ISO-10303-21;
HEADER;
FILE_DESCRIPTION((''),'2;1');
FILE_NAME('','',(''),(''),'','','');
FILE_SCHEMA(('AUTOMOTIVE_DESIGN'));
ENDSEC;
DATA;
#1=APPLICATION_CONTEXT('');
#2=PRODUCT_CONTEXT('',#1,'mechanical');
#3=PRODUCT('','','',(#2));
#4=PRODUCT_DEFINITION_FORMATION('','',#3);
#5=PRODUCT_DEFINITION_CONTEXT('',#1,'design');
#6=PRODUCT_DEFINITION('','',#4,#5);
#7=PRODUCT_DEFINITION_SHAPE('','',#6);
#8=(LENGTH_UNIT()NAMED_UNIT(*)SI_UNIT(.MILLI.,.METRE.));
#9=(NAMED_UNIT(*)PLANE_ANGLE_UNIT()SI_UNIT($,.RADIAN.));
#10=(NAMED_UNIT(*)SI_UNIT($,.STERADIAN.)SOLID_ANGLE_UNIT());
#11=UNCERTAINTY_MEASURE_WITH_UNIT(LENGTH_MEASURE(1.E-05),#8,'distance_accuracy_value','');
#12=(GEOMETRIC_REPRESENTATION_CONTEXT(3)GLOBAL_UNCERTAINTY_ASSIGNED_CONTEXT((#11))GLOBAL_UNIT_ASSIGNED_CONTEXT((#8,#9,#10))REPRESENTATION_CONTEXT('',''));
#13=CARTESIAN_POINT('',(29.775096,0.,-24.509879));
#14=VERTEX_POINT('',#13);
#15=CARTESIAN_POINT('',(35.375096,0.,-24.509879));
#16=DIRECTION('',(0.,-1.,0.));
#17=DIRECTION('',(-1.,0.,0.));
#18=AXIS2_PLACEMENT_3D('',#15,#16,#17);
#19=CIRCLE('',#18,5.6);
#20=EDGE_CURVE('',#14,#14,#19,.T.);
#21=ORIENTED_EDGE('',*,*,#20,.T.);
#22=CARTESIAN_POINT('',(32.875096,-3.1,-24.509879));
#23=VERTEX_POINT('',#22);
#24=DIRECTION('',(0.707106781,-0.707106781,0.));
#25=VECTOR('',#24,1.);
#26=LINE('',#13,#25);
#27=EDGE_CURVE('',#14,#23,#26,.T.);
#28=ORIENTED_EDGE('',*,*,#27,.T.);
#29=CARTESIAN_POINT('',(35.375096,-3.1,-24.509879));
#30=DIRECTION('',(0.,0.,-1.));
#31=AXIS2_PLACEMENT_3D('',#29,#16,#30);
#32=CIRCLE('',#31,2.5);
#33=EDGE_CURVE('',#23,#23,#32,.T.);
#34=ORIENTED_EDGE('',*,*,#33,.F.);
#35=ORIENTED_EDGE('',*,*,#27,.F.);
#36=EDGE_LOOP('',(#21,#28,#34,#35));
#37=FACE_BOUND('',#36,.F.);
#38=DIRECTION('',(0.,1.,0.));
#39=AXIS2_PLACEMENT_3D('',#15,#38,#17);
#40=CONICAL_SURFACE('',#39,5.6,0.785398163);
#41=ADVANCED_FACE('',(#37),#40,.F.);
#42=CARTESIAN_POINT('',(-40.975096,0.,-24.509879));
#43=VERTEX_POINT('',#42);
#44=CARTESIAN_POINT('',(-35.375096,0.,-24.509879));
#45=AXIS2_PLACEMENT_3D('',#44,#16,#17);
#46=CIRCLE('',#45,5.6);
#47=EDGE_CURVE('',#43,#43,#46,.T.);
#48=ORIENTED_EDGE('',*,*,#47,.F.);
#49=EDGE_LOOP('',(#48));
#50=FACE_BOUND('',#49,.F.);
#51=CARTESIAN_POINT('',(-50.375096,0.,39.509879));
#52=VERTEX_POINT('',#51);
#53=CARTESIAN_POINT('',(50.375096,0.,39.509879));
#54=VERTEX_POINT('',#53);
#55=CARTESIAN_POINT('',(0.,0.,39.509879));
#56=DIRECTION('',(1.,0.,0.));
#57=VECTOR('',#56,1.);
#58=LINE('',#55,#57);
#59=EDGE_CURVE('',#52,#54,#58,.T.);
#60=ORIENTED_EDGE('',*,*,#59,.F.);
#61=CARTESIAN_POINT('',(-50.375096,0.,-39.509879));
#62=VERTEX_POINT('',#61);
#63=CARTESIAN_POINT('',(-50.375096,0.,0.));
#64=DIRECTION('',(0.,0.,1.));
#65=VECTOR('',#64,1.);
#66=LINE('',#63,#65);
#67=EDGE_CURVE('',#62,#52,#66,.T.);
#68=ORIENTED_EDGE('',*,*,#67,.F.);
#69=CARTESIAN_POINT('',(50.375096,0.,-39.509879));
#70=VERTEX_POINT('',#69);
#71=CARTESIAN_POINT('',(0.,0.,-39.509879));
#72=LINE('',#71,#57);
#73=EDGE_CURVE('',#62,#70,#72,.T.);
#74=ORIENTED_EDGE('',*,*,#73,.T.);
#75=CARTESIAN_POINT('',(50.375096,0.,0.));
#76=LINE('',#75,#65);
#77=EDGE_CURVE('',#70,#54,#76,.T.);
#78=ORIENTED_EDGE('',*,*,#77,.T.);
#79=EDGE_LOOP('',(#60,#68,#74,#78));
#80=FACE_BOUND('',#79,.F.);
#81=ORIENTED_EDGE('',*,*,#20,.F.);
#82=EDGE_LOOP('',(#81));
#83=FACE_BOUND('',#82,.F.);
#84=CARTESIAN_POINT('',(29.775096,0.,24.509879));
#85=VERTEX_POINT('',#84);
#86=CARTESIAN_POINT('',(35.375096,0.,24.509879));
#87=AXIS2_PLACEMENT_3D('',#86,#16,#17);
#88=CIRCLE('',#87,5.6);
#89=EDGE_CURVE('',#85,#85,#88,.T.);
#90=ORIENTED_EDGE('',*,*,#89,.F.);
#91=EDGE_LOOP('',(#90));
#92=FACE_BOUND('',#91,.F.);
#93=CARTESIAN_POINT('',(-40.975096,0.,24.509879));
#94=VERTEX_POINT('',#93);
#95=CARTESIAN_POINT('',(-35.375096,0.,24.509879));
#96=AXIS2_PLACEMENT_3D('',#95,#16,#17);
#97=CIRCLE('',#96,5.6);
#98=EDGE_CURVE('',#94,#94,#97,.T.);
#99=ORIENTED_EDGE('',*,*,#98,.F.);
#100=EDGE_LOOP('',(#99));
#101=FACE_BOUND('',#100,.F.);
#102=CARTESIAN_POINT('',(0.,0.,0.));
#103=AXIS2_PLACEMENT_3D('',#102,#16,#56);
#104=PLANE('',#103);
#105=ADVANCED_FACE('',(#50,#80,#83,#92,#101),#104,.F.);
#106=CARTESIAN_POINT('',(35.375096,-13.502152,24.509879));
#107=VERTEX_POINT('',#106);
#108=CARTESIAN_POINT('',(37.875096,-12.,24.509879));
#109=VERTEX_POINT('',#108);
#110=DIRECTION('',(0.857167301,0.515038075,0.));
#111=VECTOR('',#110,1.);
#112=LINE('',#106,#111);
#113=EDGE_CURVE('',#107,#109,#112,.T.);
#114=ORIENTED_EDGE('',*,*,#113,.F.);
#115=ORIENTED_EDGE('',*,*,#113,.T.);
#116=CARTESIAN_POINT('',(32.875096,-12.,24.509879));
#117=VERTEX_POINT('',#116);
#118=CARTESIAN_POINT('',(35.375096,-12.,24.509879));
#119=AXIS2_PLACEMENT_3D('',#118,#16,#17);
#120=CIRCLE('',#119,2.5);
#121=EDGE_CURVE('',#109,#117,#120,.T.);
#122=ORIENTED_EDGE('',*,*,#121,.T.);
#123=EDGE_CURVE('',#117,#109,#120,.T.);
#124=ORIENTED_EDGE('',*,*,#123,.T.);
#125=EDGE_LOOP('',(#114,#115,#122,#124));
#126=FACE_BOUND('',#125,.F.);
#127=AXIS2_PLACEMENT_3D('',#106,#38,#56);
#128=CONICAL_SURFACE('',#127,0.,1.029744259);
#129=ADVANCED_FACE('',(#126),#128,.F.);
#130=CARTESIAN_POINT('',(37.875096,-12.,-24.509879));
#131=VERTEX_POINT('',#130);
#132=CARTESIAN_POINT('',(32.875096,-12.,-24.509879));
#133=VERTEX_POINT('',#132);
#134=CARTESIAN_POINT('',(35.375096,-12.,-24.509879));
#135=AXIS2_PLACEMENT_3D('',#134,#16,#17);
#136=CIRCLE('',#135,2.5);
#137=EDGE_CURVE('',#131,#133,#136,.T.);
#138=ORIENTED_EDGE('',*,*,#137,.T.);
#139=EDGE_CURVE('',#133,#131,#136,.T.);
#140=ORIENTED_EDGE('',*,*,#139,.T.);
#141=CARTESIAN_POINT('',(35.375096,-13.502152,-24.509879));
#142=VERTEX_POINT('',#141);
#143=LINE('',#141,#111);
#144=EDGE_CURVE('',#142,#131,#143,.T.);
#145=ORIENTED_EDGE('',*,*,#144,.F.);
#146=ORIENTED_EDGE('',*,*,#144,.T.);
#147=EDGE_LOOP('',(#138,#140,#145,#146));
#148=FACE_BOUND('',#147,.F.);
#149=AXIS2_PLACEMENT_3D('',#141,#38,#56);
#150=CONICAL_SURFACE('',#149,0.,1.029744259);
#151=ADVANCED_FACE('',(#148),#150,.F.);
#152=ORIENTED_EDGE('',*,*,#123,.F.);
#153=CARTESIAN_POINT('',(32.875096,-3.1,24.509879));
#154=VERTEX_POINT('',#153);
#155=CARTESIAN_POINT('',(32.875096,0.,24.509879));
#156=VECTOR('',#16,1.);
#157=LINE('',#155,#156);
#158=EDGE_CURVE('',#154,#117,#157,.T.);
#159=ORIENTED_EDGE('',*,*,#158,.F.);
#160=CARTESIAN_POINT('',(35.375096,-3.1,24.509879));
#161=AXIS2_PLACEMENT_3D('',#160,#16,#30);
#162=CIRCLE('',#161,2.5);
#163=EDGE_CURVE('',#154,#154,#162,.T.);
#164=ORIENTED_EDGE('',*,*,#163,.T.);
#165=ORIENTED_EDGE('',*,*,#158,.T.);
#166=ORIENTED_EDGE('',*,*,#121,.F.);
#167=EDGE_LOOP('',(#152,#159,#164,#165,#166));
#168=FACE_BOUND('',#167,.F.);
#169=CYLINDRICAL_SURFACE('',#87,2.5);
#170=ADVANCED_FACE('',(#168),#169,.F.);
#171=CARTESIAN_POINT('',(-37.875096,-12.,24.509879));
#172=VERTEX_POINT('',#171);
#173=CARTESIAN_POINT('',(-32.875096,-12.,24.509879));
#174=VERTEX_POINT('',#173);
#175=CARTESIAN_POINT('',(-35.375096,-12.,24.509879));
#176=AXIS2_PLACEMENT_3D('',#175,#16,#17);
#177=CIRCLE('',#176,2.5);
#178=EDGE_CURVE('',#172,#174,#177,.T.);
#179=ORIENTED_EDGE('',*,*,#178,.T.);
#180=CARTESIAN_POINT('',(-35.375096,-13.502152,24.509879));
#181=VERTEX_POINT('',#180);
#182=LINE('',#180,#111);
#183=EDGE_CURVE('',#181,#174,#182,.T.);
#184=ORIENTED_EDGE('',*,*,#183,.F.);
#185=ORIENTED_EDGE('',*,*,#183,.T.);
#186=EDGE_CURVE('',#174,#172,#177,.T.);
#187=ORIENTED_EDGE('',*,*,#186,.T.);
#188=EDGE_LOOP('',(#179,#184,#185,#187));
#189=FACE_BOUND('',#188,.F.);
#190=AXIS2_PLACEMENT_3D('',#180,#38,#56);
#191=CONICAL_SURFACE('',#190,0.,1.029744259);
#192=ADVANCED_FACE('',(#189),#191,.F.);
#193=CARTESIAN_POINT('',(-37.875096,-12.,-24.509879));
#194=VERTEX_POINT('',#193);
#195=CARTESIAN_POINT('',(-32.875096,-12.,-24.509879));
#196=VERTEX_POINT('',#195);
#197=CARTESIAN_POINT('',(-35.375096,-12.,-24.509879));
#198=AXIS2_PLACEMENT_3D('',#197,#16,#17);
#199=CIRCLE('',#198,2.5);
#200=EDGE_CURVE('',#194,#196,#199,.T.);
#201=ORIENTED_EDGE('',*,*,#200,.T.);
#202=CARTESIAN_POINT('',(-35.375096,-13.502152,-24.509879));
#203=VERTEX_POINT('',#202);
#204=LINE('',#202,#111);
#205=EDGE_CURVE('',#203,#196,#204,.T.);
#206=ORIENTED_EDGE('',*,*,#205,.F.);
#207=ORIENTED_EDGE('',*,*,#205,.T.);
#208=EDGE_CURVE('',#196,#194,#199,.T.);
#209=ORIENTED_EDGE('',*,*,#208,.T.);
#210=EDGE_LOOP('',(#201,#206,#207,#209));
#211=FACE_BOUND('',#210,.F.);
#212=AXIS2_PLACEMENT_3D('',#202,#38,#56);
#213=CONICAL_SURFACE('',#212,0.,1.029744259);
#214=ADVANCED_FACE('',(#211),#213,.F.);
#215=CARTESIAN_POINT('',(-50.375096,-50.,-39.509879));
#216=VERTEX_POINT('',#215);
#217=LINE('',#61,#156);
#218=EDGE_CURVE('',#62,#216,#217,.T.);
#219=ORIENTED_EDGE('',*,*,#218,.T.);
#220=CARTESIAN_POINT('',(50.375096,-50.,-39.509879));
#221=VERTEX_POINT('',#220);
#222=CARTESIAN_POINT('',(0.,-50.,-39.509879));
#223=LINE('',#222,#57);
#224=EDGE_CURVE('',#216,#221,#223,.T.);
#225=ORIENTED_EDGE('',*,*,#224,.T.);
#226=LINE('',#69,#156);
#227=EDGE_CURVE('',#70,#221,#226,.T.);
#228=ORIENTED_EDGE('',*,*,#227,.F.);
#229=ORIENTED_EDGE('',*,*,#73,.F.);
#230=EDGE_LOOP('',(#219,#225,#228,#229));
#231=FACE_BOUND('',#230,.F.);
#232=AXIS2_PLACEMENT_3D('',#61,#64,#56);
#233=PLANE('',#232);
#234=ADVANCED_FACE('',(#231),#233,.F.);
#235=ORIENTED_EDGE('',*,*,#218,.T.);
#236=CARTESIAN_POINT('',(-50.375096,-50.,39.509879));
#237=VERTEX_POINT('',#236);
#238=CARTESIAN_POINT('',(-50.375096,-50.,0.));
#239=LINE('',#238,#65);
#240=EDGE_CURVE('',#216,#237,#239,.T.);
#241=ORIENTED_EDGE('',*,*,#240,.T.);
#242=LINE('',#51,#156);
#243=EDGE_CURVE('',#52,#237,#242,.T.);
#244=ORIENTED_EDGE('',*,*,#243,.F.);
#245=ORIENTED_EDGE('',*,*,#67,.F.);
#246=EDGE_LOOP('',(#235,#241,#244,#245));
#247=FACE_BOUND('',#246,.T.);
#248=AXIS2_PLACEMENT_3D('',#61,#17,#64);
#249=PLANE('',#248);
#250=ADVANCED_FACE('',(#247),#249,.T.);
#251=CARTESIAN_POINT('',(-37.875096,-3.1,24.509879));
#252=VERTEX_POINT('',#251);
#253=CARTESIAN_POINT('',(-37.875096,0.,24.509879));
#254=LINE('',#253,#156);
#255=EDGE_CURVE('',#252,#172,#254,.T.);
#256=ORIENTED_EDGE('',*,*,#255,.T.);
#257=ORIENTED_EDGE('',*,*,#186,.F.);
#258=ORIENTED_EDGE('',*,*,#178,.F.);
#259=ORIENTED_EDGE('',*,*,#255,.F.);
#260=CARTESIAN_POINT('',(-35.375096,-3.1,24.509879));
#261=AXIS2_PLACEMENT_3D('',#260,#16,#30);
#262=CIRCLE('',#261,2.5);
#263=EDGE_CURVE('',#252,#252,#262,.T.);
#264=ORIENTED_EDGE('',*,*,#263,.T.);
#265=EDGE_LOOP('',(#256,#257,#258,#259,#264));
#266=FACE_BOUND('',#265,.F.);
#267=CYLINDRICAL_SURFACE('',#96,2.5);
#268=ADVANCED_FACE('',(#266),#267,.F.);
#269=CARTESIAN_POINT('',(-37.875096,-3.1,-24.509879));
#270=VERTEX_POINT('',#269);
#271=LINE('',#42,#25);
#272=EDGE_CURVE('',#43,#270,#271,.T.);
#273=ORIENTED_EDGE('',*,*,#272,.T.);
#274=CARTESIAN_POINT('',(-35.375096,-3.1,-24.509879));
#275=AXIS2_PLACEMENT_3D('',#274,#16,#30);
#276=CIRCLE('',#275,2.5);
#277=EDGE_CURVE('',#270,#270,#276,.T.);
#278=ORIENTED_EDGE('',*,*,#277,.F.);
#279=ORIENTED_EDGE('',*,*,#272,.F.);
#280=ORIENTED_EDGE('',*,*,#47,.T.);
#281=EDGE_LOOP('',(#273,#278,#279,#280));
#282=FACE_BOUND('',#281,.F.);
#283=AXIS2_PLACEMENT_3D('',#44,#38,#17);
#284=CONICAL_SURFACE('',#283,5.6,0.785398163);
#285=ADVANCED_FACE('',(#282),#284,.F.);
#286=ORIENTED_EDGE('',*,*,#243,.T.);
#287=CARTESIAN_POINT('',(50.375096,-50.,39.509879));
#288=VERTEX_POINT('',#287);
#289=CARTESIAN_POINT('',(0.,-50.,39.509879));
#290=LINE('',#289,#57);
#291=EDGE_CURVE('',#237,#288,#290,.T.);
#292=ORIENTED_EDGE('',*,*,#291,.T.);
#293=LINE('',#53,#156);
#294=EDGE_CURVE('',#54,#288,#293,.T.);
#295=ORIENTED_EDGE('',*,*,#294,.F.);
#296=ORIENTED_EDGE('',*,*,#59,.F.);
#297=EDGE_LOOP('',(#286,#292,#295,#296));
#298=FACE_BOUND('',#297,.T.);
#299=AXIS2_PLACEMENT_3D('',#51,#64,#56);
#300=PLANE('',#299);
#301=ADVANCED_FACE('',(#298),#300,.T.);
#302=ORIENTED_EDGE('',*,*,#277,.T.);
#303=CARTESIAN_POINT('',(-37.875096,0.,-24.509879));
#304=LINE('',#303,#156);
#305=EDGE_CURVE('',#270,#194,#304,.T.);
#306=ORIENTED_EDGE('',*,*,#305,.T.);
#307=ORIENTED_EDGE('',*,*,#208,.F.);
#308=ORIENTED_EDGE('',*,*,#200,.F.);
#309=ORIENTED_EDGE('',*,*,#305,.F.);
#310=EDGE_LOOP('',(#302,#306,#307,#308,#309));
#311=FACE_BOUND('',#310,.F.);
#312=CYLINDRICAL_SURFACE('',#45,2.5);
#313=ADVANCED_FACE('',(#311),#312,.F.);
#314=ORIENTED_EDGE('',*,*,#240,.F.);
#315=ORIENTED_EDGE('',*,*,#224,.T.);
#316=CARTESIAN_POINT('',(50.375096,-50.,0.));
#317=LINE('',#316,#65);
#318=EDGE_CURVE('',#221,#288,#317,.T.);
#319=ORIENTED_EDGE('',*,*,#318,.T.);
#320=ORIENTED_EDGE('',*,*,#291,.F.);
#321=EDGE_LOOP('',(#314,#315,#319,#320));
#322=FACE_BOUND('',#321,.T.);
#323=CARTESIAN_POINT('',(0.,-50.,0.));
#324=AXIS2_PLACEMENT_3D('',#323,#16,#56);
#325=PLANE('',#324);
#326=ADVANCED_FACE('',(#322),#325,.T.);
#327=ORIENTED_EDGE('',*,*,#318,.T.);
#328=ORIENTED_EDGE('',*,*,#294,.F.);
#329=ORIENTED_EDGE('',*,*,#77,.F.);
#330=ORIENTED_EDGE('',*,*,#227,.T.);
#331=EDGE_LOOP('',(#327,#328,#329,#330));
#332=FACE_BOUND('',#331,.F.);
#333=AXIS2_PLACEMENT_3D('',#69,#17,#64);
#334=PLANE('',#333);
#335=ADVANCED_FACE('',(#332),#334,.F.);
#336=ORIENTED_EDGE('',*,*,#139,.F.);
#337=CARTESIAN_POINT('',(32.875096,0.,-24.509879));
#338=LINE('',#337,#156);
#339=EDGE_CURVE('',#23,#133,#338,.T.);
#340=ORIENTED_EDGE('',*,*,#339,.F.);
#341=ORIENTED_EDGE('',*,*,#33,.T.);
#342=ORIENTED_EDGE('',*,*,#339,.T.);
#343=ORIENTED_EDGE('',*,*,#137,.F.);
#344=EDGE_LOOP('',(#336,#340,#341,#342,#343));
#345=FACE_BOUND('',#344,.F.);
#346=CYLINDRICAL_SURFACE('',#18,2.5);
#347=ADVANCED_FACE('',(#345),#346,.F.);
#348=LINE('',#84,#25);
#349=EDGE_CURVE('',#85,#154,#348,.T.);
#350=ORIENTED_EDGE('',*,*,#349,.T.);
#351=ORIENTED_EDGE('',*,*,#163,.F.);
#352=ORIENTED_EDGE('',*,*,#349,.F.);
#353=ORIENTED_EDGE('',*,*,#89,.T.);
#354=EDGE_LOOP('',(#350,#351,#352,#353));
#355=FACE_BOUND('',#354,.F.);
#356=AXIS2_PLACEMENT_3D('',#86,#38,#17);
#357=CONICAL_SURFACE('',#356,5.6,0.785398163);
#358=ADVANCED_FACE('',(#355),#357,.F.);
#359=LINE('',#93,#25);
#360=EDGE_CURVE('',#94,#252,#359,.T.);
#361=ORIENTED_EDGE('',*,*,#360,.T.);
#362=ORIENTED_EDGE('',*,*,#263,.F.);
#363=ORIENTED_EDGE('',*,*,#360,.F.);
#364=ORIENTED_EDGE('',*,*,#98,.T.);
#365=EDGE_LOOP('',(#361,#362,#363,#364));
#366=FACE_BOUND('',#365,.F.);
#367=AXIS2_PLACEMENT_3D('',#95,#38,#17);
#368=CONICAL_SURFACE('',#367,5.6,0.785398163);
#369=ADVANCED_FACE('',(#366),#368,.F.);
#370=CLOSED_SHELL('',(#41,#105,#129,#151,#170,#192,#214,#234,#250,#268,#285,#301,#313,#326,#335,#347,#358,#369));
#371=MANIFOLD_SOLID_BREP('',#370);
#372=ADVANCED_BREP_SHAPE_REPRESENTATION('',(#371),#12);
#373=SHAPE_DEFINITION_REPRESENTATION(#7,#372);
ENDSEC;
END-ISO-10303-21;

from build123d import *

# Parameters (mm, degrees)
F0_W           = 100.7501929998
F0_H           = 79.0197588503
F1_DEPTH       = 50
F2_D           = 5
F2_DEPTH       = 12
F2_CSINK_D     = 11.2
F2_CSINK_ANGLE = 90
F2_TIP         = 1.5021515476


with BuildPart() as f1:
    # F0 (on Front) → F1 (new body)
    with BuildSketch(Plane.XZ):
        Rectangle(F0_W, F0_H)
    extrude(amount=F1_DEPTH)

    # F2
    with Locations(Plane(origin=(0, 0, 0), x_dir=(1, 0, 0), z_dir=(0, 1, 0))):
        with Locations((-35.3750964999, -24.5098794252), (35.3750964999, -24.5098794252), (35.3750964999, 24.5098794252), (-35.3750964999, 24.5098794252)):
            CounterSinkHole(F2_D / 2, F2_CSINK_D / 2, depth=F2_DEPTH, counter_sink_angle=F2_CSINK_ANGLE)
            with Locations((0, 0, -(F2_DEPTH + F2_TIP / 2))):  # 118° drill point
                Cone(0, F2_D / 2, F2_TIP, mode=Mode.SUBTRACT)


solid = f1.part
